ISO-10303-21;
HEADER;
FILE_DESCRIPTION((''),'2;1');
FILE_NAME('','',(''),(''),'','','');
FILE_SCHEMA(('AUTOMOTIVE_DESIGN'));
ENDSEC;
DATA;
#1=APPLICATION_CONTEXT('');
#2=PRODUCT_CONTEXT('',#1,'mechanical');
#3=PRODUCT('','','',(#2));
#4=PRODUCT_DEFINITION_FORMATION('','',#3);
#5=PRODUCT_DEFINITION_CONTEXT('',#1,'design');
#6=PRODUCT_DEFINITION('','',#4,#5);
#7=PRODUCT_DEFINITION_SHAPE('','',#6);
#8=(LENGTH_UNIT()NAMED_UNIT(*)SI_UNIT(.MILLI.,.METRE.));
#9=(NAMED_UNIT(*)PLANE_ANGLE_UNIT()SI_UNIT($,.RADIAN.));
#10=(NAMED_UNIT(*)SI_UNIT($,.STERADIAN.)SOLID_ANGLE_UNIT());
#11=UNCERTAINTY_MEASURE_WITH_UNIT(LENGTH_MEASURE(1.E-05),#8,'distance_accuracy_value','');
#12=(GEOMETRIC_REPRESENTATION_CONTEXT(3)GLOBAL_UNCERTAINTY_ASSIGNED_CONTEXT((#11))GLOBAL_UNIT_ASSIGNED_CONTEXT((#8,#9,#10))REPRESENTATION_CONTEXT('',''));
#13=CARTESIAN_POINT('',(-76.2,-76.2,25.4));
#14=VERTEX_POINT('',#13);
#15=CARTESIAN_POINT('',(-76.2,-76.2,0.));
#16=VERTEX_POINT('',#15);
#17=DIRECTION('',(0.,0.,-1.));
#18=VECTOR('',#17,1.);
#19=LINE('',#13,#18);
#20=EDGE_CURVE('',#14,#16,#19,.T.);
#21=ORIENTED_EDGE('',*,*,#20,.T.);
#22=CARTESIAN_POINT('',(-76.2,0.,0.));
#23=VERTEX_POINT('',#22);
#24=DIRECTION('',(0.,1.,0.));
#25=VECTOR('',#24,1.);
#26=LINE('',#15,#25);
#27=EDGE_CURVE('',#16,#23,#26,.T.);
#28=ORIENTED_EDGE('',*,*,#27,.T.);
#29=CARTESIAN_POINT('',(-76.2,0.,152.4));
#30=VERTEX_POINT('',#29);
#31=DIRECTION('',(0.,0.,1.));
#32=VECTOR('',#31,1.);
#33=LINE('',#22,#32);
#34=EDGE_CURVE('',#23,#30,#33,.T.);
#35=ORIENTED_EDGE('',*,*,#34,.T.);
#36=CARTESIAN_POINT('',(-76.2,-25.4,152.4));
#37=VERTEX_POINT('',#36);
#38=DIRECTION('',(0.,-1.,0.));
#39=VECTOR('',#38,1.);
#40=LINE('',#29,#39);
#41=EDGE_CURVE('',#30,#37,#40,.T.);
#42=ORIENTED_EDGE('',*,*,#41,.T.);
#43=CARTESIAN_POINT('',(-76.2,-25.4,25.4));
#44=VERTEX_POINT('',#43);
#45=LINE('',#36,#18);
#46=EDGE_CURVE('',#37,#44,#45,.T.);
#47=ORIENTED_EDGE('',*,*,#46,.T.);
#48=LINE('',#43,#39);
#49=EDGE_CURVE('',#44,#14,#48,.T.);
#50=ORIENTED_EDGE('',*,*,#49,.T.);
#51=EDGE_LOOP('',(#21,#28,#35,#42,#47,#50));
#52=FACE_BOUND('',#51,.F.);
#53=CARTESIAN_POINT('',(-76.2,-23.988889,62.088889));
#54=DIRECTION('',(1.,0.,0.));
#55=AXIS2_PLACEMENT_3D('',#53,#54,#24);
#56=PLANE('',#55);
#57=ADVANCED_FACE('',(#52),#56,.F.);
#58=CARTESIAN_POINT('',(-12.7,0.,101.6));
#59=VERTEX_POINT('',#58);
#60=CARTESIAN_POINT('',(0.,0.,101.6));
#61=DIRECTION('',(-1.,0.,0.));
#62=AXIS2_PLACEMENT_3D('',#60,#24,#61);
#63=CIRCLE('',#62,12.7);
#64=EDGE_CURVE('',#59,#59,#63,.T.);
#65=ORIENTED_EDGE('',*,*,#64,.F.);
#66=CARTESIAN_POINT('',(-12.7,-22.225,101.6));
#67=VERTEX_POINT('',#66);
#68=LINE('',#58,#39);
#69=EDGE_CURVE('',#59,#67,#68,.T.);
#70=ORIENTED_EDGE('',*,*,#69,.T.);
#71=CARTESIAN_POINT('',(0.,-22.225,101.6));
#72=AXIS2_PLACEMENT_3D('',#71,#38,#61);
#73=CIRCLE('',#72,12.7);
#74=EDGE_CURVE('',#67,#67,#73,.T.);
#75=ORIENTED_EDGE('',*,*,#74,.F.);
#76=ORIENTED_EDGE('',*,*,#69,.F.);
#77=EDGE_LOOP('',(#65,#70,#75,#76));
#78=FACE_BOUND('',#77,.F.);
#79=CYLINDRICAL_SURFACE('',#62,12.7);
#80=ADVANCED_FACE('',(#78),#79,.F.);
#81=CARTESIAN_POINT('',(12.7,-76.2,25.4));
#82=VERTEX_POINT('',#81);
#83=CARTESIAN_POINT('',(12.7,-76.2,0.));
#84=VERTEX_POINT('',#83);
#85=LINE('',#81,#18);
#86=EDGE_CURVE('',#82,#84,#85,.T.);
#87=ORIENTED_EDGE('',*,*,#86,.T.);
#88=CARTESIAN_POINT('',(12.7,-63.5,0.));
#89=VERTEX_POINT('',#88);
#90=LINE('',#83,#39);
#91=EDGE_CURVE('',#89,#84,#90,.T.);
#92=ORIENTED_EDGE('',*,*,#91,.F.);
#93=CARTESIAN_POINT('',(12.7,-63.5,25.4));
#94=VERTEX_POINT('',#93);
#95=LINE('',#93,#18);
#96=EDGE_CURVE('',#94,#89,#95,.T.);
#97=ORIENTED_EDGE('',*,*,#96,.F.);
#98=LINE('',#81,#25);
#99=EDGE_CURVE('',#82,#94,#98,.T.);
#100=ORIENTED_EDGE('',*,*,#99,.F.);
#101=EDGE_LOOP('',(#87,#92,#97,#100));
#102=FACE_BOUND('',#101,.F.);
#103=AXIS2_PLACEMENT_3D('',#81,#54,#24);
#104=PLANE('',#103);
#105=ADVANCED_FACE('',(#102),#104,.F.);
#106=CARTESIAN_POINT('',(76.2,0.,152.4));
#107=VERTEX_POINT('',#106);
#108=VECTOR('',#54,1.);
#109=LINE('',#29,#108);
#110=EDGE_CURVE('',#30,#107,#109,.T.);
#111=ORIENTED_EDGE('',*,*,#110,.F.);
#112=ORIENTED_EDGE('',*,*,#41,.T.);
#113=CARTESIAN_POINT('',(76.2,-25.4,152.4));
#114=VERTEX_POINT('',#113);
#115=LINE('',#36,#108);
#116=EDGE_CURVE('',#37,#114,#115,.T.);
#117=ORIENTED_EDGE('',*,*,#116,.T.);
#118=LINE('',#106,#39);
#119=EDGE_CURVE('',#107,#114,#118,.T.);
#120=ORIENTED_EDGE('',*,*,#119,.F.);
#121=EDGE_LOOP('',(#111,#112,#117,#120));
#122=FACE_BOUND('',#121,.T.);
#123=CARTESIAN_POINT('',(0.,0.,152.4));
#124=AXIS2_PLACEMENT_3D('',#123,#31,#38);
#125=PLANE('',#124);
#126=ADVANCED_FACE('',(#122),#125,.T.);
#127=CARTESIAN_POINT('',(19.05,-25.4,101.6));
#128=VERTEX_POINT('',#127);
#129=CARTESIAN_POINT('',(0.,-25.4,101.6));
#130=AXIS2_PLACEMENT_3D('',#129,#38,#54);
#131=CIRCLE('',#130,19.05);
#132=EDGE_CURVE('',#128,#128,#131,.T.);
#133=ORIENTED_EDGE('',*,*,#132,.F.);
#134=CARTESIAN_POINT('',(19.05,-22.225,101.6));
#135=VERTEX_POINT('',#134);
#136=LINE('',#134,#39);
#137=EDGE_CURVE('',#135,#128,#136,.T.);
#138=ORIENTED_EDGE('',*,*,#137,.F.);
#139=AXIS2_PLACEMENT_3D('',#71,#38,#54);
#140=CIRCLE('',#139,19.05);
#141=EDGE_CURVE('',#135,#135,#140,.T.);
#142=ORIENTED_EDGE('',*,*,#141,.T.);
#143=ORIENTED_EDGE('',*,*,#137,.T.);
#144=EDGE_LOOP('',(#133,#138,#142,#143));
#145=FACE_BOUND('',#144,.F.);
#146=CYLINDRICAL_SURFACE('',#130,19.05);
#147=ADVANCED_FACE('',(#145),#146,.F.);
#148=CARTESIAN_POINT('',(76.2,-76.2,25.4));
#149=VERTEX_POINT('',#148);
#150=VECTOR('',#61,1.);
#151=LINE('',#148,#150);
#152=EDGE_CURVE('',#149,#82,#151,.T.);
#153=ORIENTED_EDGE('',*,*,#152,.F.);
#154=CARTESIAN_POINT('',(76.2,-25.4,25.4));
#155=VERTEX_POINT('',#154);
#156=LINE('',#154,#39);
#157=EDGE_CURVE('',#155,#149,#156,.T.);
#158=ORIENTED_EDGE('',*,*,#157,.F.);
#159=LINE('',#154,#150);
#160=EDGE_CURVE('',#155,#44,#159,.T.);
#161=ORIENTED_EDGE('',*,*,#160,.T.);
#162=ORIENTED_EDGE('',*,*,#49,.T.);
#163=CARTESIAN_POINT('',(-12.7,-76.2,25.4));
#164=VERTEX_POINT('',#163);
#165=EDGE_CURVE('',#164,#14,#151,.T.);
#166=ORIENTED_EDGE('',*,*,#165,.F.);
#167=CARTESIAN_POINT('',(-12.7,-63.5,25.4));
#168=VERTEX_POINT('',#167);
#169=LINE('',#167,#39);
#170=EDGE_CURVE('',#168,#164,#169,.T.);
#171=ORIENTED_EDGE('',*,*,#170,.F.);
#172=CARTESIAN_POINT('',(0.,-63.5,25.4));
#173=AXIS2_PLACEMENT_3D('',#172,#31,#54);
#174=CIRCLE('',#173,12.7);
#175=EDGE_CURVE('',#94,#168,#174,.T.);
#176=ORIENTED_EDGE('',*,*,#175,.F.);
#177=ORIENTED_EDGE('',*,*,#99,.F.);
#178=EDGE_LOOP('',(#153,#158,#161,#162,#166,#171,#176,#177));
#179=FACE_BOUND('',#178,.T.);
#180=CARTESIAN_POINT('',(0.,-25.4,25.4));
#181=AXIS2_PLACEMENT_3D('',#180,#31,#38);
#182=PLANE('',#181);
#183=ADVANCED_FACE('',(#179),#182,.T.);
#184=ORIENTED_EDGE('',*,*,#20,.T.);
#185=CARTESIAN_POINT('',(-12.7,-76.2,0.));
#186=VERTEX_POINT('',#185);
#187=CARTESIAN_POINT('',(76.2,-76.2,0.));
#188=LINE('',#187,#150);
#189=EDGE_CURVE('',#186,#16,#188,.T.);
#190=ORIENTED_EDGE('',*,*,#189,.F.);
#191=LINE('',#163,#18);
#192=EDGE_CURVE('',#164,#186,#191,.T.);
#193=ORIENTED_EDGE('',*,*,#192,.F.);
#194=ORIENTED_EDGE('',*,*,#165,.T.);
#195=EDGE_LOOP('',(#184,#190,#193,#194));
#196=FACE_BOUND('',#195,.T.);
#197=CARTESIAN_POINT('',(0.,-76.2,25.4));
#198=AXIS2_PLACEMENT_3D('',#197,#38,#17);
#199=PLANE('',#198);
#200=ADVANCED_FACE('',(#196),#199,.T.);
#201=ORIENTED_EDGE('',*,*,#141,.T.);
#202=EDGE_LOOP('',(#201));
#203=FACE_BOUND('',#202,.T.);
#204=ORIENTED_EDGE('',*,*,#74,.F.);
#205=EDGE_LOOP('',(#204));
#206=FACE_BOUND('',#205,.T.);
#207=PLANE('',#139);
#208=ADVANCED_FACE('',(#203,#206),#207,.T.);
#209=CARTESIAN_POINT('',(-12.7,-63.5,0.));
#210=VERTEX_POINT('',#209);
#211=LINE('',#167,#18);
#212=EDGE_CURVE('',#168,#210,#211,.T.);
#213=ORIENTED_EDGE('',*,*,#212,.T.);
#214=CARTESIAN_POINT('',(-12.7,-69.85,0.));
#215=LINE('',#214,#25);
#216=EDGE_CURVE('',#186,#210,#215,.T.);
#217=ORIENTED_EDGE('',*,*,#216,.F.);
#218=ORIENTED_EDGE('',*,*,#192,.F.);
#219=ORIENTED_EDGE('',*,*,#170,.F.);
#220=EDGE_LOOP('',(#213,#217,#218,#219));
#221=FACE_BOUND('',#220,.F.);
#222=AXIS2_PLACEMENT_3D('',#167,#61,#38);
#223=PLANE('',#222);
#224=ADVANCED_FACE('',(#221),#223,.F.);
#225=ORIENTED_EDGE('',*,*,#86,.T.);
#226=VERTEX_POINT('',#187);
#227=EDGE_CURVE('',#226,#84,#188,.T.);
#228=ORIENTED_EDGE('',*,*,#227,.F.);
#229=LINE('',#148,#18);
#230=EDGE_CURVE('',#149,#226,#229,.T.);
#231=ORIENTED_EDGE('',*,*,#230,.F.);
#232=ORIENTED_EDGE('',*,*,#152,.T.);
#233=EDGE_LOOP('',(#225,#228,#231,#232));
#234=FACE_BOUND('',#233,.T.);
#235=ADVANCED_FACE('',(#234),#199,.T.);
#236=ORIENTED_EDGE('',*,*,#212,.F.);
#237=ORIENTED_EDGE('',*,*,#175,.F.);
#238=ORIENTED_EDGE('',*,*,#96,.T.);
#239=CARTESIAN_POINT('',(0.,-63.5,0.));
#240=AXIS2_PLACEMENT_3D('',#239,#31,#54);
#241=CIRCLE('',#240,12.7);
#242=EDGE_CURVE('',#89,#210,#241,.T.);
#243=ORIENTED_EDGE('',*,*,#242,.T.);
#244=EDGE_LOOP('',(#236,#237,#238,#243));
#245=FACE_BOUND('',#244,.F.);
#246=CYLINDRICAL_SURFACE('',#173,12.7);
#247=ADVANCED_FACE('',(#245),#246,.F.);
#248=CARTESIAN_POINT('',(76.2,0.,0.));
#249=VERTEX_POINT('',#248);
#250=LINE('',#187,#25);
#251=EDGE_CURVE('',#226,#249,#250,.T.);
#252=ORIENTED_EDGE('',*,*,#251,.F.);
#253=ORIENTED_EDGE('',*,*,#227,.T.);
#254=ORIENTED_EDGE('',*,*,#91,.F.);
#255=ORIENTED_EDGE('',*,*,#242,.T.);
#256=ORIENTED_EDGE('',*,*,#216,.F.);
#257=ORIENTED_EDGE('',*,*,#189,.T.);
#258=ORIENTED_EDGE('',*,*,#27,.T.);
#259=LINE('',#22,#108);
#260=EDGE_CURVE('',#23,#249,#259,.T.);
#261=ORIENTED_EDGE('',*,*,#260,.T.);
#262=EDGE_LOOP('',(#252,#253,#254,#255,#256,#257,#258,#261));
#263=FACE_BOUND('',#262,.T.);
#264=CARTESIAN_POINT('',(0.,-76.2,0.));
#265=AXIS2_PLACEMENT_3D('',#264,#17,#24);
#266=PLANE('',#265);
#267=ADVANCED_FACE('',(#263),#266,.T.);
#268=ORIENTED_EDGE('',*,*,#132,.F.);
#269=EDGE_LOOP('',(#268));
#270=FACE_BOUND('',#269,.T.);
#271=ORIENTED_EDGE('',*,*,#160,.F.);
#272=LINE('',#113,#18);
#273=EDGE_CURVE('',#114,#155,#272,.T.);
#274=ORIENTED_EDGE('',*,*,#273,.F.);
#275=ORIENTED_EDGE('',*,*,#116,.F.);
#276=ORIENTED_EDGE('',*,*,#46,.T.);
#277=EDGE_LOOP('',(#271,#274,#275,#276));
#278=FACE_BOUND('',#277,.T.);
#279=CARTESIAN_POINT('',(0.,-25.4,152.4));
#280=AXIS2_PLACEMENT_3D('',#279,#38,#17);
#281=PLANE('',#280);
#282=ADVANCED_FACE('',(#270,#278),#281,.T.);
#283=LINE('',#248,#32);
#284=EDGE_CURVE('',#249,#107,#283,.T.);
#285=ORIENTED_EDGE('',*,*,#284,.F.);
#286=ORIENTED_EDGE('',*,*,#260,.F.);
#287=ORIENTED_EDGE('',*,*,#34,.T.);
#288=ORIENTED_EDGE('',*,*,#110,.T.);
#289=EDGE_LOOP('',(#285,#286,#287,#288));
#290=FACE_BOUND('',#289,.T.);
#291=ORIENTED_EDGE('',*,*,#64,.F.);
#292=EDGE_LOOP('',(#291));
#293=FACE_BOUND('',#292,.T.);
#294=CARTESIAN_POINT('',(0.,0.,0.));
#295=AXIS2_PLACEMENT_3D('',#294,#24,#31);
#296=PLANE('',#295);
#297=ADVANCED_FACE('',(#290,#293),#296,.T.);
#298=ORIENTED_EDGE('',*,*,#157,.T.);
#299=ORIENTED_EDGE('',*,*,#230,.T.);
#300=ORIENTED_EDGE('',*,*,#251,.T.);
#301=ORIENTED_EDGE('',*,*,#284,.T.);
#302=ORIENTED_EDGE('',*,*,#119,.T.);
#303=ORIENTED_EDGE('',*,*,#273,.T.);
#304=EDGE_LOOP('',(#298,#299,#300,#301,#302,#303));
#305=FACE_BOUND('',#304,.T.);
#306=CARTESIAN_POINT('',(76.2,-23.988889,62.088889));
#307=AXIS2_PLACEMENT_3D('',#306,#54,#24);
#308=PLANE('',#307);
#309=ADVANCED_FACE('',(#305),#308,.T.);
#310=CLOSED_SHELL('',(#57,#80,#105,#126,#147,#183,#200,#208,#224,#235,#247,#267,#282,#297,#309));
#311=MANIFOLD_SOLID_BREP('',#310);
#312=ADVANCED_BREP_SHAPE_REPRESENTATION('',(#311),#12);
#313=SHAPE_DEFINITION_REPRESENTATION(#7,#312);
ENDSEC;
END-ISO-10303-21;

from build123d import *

# Parameters (mm, degrees)
F1_DEPTH = 76.2
F2_R     = 12.7
F3_DEPTH = 76.201
F5_DEPTH = 25.401
F6_R     = 19.05
F6_R_2   = 12.7
F7_DEPTH = 3.175


with BuildPart() as f1:
    # F0 (on Right) → F1 (new body, symmetric)
    with BuildSketch(Plane.YZ):
        Polygon((-76.2, 0), (0, 0), (0, 152.4), (-25.4, 152.4), (-25.4, 25.4), (-76.2, 25.4), align=None)
    extrude(amount=F1_DEPTH, both=True)

    # F2 (on face) → F3 (cut, through all)
    with BuildSketch(Plane(origin=(0, 0, 0), x_dir=(-1, 0, 0), z_dir=(0, 1, 0))):
        with Locations((0, 101.6)):
            Circle(F2_R)
    extrude(amount=-F3_DEPTH, mode=Mode.SUBTRACT)

    # F4 (on face) → F5 (cut, through all)
    with BuildSketch(Plane.XY.offset(25.4)):
        with BuildLine():
            Line((-12.7, -63.5), (-12.7, -76.2))
            Line((-12.7, -76.2), (12.7, -76.2))
            Line((12.7, -76.2), (12.7, -63.5))
            ThreePointArc((12.7, -63.5), (0, -50.8), (-12.7, -63.5))
        make_face()
    extrude(amount=-F5_DEPTH, mode=Mode.SUBTRACT)

    # F6 (on face) → F7 (cut, symmetric)
    with BuildSketch(Plane.XZ.offset(25.4)):
        with Locations((0, 101.6)):
            Circle(F6_R)
        with Locations((0, 101.6)):
            Circle(F6_R_2, mode=Mode.SUBTRACT)
    extrude(amount=F7_DEPTH, both=True, mode=Mode.SUBTRACT)


solid = f1.part
